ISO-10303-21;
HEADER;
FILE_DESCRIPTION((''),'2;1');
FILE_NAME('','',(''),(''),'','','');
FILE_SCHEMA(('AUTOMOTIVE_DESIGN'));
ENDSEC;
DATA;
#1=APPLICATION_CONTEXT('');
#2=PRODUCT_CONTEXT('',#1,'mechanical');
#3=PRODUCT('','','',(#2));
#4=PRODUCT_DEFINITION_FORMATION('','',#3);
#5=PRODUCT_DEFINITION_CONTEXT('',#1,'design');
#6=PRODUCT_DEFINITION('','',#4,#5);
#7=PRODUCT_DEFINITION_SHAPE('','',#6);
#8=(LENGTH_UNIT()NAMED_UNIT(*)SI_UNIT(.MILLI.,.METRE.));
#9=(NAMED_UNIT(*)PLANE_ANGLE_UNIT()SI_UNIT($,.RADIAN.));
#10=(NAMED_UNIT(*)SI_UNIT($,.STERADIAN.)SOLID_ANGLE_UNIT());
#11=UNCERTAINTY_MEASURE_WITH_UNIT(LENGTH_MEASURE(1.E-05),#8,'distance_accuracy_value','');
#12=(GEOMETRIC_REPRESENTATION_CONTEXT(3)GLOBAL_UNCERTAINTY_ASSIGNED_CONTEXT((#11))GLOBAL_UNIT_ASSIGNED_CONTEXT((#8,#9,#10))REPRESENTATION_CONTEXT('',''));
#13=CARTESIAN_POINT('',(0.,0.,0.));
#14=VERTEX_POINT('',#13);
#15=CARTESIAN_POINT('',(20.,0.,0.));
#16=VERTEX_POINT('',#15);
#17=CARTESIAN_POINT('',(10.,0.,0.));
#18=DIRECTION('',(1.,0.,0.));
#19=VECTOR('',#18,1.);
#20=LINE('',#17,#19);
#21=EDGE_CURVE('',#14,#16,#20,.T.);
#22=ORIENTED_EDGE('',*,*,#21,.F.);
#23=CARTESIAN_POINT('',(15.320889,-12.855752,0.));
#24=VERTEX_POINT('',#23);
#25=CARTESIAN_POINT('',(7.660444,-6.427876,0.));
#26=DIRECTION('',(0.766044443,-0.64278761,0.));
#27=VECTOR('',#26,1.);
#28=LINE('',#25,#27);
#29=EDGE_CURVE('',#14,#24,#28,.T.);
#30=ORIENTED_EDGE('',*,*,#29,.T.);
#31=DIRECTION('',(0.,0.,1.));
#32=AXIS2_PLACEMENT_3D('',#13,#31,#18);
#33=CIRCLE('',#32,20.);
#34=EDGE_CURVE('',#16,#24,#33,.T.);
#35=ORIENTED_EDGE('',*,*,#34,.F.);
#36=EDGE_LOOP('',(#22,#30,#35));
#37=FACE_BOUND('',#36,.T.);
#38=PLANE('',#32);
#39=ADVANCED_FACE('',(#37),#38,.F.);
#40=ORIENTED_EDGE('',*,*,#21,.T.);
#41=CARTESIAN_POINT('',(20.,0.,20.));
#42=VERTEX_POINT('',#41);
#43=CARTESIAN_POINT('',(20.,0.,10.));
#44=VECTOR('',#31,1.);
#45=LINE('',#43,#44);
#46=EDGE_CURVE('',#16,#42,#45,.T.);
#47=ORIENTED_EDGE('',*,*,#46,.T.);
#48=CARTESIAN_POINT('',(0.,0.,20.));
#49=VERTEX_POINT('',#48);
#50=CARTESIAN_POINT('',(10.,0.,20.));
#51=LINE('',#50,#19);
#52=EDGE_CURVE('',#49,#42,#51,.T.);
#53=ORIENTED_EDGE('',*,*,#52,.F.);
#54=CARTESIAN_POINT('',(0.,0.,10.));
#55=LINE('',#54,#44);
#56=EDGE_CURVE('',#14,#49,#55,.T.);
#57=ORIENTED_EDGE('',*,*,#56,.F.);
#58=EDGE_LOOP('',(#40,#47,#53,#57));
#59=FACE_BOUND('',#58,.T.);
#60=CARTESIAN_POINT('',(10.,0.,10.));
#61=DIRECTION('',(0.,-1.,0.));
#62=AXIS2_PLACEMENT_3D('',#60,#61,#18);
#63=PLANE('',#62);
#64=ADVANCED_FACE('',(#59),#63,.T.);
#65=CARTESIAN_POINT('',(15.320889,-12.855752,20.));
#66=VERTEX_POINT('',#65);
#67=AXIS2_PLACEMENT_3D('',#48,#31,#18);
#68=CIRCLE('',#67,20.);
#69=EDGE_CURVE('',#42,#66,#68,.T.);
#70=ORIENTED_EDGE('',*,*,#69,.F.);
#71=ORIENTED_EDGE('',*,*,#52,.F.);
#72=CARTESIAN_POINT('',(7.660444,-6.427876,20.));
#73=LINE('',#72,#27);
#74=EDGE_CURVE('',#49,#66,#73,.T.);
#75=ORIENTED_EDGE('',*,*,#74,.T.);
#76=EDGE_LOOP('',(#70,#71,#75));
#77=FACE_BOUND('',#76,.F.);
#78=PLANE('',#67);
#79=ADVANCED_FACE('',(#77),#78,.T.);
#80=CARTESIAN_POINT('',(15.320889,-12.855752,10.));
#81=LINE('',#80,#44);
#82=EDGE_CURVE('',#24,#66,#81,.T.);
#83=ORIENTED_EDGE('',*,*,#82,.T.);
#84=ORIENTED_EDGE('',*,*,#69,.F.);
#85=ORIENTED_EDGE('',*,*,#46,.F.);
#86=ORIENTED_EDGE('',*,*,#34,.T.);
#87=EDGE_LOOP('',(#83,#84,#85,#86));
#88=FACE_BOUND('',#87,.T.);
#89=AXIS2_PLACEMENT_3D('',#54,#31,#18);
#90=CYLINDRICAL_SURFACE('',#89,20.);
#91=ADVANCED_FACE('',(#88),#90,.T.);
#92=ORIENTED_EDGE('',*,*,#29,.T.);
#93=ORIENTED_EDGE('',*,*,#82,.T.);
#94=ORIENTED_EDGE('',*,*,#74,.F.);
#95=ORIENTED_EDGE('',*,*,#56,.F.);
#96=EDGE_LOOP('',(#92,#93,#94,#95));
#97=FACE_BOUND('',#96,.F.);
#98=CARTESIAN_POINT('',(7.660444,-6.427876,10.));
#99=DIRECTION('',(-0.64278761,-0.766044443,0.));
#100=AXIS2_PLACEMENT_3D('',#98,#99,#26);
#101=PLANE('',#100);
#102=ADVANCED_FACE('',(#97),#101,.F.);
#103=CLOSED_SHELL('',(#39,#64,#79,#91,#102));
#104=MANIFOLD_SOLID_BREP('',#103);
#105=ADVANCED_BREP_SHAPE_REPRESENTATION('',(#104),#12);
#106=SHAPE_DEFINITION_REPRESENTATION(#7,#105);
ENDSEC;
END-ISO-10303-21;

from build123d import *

# Parameters (mm, degrees)
CYLINDER_W     = 20
CYLINDER_H     = 20
CYLINDER_ANGLE = 320


with BuildPart() as part:
    # Cylinder → Cylinder (revolve)
    with BuildSketch(Plane.XZ):
        with Locations((10, 10)):
            Rectangle(CYLINDER_W, CYLINDER_H)
    revolve(axis=Axis((0, 0, 0), (0, 0, 1)), revolution_arc=CYLINDER_ANGLE)


solid = part.part
